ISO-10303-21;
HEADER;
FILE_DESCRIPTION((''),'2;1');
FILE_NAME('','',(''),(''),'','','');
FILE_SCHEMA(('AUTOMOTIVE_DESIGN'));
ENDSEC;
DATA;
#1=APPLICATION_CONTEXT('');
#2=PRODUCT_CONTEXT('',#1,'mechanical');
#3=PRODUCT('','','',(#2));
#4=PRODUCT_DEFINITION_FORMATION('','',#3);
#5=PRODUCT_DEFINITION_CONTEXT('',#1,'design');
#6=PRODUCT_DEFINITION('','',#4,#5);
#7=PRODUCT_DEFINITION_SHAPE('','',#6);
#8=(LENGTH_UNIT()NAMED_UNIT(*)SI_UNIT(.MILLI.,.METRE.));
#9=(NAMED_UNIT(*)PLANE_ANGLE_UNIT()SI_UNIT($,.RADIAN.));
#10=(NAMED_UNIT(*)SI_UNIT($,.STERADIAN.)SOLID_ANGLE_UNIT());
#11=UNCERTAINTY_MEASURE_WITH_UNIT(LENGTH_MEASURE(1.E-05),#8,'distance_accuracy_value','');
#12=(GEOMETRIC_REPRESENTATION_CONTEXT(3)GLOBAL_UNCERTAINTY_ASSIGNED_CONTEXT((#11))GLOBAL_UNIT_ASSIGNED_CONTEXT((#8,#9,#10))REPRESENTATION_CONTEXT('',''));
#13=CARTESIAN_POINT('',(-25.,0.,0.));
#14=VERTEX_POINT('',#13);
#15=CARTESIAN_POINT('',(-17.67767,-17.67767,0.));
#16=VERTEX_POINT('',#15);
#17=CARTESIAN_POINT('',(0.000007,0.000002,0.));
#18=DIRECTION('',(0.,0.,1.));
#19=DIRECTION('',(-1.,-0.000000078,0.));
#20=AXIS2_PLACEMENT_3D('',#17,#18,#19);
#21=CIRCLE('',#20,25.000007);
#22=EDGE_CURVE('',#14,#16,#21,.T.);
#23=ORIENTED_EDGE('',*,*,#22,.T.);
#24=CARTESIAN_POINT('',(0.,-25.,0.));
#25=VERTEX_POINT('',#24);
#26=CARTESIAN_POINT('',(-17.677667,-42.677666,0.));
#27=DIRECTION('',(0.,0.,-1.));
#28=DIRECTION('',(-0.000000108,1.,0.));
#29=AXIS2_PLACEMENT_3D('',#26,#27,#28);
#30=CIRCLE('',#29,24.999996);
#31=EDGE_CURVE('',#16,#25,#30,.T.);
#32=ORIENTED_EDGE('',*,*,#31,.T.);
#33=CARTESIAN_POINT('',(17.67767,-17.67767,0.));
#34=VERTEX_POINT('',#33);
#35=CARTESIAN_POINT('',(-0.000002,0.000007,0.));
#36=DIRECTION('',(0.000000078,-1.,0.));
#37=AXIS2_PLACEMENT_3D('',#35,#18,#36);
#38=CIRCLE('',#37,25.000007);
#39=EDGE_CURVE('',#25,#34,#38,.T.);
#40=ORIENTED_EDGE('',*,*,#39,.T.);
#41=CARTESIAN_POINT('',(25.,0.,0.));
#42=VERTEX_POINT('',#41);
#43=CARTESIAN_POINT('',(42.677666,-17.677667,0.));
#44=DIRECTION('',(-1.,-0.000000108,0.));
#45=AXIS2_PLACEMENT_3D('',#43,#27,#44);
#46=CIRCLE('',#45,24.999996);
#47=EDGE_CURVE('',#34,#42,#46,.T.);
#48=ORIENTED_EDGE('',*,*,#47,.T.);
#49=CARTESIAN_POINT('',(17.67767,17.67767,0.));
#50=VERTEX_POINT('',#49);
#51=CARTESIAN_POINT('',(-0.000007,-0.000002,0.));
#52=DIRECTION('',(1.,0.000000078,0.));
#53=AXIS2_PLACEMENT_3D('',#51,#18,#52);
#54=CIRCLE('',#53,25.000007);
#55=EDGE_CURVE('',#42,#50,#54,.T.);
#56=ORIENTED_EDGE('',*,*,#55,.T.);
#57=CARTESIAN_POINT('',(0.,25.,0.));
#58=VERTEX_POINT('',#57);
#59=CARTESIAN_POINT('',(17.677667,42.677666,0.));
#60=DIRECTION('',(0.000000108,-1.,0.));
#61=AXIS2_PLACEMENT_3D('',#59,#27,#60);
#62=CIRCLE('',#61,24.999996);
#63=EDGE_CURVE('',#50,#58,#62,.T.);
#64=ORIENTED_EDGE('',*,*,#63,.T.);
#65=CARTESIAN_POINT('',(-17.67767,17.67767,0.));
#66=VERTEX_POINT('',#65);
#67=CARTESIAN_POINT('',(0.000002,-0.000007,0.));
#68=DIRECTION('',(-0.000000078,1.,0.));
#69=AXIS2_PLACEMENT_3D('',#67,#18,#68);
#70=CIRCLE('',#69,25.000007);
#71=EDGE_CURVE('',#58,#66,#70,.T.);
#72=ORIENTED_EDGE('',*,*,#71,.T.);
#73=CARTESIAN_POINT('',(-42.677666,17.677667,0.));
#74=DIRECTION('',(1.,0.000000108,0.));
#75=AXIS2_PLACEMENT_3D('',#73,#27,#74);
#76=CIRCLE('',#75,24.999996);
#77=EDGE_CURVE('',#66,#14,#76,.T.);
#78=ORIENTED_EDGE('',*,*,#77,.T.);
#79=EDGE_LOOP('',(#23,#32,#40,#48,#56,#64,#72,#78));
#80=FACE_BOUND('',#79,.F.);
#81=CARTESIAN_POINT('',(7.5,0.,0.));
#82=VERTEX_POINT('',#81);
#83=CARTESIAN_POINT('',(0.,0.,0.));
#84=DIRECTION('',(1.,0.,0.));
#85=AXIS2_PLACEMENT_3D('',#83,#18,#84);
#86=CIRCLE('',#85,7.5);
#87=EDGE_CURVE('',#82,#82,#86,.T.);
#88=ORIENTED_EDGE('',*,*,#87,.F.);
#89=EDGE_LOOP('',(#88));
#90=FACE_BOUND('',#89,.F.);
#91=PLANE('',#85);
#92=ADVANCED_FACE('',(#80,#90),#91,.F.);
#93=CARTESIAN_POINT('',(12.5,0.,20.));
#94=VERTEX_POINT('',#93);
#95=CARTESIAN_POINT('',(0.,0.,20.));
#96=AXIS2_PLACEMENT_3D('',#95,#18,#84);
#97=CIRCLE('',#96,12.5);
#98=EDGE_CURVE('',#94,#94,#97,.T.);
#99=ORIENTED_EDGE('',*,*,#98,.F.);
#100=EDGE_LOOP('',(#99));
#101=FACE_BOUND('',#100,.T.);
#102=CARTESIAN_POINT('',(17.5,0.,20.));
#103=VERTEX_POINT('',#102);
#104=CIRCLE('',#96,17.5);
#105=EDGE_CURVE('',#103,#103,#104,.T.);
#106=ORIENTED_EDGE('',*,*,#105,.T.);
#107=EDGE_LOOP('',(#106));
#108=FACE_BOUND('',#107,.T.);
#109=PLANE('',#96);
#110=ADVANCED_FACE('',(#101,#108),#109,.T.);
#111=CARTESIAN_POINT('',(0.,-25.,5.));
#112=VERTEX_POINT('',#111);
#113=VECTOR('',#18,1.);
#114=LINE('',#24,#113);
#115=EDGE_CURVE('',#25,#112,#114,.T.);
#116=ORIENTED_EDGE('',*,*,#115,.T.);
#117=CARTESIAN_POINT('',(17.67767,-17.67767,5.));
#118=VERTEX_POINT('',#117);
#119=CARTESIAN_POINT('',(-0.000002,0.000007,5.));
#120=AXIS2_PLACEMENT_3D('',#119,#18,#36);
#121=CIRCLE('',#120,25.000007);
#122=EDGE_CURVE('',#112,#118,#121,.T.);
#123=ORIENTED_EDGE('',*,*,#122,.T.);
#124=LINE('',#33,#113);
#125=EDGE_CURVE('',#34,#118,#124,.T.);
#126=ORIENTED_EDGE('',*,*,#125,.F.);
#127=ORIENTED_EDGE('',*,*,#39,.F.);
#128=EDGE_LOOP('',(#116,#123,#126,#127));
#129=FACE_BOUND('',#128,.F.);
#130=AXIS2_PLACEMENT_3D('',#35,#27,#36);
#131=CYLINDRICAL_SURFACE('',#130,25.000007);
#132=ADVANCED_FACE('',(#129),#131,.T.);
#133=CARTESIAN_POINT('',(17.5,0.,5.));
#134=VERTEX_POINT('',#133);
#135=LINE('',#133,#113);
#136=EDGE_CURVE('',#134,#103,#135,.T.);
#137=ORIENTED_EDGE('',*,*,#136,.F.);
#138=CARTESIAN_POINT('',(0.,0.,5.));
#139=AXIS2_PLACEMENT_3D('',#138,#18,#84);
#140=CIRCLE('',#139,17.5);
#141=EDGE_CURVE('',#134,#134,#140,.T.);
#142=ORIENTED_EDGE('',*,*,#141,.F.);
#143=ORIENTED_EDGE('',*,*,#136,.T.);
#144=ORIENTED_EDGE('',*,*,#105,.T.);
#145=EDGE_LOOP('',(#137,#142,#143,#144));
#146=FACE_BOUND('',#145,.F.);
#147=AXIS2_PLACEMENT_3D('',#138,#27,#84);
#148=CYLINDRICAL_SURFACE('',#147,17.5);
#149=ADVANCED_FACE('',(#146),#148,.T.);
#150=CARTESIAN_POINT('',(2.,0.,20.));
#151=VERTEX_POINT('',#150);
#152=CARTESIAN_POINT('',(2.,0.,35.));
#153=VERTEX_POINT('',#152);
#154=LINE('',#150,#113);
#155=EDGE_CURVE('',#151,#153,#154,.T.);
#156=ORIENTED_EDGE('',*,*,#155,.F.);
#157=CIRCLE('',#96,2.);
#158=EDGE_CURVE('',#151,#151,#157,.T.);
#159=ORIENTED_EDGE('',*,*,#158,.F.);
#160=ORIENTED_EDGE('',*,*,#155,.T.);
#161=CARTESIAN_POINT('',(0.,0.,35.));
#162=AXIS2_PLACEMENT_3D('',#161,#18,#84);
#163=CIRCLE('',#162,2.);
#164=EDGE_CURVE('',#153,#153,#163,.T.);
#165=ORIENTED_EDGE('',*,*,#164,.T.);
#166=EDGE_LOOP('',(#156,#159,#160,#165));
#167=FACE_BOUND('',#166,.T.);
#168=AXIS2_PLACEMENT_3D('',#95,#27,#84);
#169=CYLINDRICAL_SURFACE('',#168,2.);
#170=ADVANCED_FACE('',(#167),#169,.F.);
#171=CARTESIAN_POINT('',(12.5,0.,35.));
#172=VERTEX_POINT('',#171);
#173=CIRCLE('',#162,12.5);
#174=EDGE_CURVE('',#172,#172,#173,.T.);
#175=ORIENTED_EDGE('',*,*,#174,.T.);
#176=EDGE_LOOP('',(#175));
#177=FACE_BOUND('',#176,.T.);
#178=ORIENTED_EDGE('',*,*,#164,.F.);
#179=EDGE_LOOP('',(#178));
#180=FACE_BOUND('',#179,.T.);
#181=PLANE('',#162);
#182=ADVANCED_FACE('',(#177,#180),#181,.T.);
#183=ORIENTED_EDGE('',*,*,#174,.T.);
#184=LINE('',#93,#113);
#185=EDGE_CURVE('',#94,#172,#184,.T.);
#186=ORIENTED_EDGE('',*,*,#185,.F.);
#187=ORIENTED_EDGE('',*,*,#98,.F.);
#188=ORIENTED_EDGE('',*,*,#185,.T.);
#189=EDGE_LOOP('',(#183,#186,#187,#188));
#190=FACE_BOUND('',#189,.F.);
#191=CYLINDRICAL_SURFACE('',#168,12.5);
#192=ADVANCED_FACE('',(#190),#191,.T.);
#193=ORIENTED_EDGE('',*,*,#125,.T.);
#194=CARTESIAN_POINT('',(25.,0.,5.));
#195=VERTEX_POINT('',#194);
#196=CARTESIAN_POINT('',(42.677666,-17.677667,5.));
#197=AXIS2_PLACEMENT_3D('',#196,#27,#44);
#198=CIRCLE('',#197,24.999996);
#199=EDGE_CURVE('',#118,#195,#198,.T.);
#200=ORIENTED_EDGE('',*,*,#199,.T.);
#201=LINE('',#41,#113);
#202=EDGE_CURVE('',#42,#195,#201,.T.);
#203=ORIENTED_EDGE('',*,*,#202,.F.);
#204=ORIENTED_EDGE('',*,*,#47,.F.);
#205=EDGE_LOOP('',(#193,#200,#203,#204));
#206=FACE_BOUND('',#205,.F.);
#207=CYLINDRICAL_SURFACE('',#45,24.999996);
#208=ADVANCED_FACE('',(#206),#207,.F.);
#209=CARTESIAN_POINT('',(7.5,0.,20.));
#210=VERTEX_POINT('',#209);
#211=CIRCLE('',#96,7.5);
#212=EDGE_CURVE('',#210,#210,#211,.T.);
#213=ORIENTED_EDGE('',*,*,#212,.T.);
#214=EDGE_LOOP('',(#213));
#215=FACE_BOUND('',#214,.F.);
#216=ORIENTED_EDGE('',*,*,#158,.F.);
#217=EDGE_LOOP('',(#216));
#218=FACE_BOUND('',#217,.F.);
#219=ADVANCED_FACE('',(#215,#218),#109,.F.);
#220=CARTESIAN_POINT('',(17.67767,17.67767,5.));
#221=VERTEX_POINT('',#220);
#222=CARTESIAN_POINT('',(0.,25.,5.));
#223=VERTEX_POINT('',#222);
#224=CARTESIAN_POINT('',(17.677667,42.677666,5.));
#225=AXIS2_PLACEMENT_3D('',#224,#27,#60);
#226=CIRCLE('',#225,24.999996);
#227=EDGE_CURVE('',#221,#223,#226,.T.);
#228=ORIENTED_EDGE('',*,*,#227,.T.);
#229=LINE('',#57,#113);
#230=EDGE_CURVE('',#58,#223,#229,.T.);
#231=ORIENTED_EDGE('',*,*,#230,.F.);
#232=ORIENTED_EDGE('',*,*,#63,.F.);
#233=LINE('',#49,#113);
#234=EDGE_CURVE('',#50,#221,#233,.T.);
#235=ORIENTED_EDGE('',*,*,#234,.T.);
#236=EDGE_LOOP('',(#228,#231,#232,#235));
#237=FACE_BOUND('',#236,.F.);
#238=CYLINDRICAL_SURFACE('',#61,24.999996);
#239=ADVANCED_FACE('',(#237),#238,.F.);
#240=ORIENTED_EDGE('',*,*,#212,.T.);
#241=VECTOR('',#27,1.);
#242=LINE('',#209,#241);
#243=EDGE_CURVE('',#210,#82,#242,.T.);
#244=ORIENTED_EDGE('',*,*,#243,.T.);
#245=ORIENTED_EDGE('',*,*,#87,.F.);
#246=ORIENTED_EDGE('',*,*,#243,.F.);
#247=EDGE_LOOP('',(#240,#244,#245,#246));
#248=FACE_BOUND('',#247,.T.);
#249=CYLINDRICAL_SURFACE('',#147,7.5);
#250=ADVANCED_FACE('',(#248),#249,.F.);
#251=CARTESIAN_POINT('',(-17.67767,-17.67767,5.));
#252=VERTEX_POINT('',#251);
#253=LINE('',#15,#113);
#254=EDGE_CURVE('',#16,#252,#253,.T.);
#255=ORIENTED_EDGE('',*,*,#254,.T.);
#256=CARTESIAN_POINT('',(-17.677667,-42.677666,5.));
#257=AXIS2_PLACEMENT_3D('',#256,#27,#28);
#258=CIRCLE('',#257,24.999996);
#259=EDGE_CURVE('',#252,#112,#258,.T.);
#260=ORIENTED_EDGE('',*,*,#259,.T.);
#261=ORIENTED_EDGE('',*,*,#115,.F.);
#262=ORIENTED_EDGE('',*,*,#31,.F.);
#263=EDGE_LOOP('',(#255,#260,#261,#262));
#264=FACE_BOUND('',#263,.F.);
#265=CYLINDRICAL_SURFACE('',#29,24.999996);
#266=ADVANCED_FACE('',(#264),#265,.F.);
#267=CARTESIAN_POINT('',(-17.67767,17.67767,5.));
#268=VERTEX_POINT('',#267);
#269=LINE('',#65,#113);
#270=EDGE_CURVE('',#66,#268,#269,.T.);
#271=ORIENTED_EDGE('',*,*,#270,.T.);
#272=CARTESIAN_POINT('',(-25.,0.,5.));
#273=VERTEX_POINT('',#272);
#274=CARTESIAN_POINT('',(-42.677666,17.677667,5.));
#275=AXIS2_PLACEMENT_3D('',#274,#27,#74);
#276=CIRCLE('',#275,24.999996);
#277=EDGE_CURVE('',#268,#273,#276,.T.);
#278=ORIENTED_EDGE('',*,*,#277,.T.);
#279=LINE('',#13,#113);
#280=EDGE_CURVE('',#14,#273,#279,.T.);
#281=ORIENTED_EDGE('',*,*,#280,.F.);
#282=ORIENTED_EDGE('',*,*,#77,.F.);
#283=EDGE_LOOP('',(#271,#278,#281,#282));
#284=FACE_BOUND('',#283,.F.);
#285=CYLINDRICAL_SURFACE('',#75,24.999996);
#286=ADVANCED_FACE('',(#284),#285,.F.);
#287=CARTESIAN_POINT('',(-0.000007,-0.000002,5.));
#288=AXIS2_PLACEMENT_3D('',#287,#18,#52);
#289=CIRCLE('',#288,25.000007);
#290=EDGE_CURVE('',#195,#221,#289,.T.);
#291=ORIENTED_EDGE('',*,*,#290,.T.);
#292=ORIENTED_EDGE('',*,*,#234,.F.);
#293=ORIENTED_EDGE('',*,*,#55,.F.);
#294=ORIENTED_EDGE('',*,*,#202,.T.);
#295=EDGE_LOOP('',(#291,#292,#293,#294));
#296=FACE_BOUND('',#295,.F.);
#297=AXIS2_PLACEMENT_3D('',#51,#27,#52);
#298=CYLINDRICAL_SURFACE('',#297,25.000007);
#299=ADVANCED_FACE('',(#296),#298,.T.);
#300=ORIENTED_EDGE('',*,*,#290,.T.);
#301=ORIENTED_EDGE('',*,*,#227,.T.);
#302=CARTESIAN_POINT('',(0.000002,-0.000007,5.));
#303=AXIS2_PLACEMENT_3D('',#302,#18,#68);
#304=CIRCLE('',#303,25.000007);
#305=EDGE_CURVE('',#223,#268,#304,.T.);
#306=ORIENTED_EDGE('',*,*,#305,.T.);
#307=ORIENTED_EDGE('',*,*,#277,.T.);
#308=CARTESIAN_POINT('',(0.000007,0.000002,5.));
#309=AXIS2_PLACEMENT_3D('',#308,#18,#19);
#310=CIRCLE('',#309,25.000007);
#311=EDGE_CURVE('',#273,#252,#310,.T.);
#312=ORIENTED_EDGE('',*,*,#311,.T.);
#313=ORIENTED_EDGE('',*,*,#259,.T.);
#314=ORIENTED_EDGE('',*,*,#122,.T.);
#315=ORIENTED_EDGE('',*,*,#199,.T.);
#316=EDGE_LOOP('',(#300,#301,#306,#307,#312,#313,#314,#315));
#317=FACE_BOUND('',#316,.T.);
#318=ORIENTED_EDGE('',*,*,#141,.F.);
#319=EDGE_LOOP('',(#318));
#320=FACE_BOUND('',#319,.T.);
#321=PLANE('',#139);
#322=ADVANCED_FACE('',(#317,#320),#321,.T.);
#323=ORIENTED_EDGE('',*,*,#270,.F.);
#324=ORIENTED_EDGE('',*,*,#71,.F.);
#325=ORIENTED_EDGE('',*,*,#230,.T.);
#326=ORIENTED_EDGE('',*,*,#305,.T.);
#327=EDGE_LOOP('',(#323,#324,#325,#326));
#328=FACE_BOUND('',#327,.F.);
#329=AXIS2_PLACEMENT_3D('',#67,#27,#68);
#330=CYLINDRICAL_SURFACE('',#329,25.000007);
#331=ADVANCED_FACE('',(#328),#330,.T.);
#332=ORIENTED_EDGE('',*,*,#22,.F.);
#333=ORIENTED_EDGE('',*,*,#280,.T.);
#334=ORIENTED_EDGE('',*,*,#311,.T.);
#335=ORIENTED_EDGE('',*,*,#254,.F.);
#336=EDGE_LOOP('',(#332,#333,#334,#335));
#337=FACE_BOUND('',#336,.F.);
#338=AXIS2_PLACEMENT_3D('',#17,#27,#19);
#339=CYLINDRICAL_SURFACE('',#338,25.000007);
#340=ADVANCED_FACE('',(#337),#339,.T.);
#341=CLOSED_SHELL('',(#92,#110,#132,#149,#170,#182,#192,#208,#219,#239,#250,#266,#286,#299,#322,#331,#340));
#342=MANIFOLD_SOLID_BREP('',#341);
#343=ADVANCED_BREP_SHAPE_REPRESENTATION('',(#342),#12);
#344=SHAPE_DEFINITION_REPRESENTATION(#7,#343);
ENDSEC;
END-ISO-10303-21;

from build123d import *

# Parameters (mm, degrees)
F0_R     = 7.5
F1_DEPTH = 5
F2_R     = 17.5
F2_R_2   = 7.5
F3_DEPTH = 15
F4_R     = 12.5
F4_R_2   = 2
F5_DEPTH = 15


with BuildPart() as f1:
    # F0 (on Top) → F1 (new body)
    with BuildSketch(Plane.XY):
        with BuildLine():
            ThreePointArc((-17.67767, 17.67767), (-19.580681, 8.110584), (-25, 0))
            ThreePointArc((-25, 0), (-23.096988, -9.567086), (-17.67767, -17.67767))
            ThreePointArc((-17.67767, -17.67767), (-8.110584, -19.580681), (0, -25))
            ThreePointArc((0, -25), (9.567086, -23.096988), (17.67767, -17.67767))
            ThreePointArc((17.67767, -17.67767), (19.580681, -8.110584), (25, 0))
            ThreePointArc((25, 0), (23.096988, 9.567086), (17.67767, 17.67767))
            ThreePointArc((17.67767, 17.67767), (8.110584, 19.580681), (0, 25))
            ThreePointArc((0, 25), (-9.567086, 23.096988), (-17.67767, 17.67767))
        make_face()
        Circle(F0_R, mode=Mode.SUBTRACT)
    extrude(amount=F1_DEPTH)

    # F2 (on face) → F3 (join)
    with BuildSketch(Plane.XY.offset(5)):
        Circle(F2_R)
        Circle(F2_R_2, mode=Mode.SUBTRACT)
    extrude(amount=F3_DEPTH)

    # F4 (on face) → F5 (join)
    with BuildSketch(Plane.XY.offset(20)):
        Circle(F4_R)
        Circle(F4_R_2, mode=Mode.SUBTRACT)
    extrude(amount=F5_DEPTH)


solid = f1.part
